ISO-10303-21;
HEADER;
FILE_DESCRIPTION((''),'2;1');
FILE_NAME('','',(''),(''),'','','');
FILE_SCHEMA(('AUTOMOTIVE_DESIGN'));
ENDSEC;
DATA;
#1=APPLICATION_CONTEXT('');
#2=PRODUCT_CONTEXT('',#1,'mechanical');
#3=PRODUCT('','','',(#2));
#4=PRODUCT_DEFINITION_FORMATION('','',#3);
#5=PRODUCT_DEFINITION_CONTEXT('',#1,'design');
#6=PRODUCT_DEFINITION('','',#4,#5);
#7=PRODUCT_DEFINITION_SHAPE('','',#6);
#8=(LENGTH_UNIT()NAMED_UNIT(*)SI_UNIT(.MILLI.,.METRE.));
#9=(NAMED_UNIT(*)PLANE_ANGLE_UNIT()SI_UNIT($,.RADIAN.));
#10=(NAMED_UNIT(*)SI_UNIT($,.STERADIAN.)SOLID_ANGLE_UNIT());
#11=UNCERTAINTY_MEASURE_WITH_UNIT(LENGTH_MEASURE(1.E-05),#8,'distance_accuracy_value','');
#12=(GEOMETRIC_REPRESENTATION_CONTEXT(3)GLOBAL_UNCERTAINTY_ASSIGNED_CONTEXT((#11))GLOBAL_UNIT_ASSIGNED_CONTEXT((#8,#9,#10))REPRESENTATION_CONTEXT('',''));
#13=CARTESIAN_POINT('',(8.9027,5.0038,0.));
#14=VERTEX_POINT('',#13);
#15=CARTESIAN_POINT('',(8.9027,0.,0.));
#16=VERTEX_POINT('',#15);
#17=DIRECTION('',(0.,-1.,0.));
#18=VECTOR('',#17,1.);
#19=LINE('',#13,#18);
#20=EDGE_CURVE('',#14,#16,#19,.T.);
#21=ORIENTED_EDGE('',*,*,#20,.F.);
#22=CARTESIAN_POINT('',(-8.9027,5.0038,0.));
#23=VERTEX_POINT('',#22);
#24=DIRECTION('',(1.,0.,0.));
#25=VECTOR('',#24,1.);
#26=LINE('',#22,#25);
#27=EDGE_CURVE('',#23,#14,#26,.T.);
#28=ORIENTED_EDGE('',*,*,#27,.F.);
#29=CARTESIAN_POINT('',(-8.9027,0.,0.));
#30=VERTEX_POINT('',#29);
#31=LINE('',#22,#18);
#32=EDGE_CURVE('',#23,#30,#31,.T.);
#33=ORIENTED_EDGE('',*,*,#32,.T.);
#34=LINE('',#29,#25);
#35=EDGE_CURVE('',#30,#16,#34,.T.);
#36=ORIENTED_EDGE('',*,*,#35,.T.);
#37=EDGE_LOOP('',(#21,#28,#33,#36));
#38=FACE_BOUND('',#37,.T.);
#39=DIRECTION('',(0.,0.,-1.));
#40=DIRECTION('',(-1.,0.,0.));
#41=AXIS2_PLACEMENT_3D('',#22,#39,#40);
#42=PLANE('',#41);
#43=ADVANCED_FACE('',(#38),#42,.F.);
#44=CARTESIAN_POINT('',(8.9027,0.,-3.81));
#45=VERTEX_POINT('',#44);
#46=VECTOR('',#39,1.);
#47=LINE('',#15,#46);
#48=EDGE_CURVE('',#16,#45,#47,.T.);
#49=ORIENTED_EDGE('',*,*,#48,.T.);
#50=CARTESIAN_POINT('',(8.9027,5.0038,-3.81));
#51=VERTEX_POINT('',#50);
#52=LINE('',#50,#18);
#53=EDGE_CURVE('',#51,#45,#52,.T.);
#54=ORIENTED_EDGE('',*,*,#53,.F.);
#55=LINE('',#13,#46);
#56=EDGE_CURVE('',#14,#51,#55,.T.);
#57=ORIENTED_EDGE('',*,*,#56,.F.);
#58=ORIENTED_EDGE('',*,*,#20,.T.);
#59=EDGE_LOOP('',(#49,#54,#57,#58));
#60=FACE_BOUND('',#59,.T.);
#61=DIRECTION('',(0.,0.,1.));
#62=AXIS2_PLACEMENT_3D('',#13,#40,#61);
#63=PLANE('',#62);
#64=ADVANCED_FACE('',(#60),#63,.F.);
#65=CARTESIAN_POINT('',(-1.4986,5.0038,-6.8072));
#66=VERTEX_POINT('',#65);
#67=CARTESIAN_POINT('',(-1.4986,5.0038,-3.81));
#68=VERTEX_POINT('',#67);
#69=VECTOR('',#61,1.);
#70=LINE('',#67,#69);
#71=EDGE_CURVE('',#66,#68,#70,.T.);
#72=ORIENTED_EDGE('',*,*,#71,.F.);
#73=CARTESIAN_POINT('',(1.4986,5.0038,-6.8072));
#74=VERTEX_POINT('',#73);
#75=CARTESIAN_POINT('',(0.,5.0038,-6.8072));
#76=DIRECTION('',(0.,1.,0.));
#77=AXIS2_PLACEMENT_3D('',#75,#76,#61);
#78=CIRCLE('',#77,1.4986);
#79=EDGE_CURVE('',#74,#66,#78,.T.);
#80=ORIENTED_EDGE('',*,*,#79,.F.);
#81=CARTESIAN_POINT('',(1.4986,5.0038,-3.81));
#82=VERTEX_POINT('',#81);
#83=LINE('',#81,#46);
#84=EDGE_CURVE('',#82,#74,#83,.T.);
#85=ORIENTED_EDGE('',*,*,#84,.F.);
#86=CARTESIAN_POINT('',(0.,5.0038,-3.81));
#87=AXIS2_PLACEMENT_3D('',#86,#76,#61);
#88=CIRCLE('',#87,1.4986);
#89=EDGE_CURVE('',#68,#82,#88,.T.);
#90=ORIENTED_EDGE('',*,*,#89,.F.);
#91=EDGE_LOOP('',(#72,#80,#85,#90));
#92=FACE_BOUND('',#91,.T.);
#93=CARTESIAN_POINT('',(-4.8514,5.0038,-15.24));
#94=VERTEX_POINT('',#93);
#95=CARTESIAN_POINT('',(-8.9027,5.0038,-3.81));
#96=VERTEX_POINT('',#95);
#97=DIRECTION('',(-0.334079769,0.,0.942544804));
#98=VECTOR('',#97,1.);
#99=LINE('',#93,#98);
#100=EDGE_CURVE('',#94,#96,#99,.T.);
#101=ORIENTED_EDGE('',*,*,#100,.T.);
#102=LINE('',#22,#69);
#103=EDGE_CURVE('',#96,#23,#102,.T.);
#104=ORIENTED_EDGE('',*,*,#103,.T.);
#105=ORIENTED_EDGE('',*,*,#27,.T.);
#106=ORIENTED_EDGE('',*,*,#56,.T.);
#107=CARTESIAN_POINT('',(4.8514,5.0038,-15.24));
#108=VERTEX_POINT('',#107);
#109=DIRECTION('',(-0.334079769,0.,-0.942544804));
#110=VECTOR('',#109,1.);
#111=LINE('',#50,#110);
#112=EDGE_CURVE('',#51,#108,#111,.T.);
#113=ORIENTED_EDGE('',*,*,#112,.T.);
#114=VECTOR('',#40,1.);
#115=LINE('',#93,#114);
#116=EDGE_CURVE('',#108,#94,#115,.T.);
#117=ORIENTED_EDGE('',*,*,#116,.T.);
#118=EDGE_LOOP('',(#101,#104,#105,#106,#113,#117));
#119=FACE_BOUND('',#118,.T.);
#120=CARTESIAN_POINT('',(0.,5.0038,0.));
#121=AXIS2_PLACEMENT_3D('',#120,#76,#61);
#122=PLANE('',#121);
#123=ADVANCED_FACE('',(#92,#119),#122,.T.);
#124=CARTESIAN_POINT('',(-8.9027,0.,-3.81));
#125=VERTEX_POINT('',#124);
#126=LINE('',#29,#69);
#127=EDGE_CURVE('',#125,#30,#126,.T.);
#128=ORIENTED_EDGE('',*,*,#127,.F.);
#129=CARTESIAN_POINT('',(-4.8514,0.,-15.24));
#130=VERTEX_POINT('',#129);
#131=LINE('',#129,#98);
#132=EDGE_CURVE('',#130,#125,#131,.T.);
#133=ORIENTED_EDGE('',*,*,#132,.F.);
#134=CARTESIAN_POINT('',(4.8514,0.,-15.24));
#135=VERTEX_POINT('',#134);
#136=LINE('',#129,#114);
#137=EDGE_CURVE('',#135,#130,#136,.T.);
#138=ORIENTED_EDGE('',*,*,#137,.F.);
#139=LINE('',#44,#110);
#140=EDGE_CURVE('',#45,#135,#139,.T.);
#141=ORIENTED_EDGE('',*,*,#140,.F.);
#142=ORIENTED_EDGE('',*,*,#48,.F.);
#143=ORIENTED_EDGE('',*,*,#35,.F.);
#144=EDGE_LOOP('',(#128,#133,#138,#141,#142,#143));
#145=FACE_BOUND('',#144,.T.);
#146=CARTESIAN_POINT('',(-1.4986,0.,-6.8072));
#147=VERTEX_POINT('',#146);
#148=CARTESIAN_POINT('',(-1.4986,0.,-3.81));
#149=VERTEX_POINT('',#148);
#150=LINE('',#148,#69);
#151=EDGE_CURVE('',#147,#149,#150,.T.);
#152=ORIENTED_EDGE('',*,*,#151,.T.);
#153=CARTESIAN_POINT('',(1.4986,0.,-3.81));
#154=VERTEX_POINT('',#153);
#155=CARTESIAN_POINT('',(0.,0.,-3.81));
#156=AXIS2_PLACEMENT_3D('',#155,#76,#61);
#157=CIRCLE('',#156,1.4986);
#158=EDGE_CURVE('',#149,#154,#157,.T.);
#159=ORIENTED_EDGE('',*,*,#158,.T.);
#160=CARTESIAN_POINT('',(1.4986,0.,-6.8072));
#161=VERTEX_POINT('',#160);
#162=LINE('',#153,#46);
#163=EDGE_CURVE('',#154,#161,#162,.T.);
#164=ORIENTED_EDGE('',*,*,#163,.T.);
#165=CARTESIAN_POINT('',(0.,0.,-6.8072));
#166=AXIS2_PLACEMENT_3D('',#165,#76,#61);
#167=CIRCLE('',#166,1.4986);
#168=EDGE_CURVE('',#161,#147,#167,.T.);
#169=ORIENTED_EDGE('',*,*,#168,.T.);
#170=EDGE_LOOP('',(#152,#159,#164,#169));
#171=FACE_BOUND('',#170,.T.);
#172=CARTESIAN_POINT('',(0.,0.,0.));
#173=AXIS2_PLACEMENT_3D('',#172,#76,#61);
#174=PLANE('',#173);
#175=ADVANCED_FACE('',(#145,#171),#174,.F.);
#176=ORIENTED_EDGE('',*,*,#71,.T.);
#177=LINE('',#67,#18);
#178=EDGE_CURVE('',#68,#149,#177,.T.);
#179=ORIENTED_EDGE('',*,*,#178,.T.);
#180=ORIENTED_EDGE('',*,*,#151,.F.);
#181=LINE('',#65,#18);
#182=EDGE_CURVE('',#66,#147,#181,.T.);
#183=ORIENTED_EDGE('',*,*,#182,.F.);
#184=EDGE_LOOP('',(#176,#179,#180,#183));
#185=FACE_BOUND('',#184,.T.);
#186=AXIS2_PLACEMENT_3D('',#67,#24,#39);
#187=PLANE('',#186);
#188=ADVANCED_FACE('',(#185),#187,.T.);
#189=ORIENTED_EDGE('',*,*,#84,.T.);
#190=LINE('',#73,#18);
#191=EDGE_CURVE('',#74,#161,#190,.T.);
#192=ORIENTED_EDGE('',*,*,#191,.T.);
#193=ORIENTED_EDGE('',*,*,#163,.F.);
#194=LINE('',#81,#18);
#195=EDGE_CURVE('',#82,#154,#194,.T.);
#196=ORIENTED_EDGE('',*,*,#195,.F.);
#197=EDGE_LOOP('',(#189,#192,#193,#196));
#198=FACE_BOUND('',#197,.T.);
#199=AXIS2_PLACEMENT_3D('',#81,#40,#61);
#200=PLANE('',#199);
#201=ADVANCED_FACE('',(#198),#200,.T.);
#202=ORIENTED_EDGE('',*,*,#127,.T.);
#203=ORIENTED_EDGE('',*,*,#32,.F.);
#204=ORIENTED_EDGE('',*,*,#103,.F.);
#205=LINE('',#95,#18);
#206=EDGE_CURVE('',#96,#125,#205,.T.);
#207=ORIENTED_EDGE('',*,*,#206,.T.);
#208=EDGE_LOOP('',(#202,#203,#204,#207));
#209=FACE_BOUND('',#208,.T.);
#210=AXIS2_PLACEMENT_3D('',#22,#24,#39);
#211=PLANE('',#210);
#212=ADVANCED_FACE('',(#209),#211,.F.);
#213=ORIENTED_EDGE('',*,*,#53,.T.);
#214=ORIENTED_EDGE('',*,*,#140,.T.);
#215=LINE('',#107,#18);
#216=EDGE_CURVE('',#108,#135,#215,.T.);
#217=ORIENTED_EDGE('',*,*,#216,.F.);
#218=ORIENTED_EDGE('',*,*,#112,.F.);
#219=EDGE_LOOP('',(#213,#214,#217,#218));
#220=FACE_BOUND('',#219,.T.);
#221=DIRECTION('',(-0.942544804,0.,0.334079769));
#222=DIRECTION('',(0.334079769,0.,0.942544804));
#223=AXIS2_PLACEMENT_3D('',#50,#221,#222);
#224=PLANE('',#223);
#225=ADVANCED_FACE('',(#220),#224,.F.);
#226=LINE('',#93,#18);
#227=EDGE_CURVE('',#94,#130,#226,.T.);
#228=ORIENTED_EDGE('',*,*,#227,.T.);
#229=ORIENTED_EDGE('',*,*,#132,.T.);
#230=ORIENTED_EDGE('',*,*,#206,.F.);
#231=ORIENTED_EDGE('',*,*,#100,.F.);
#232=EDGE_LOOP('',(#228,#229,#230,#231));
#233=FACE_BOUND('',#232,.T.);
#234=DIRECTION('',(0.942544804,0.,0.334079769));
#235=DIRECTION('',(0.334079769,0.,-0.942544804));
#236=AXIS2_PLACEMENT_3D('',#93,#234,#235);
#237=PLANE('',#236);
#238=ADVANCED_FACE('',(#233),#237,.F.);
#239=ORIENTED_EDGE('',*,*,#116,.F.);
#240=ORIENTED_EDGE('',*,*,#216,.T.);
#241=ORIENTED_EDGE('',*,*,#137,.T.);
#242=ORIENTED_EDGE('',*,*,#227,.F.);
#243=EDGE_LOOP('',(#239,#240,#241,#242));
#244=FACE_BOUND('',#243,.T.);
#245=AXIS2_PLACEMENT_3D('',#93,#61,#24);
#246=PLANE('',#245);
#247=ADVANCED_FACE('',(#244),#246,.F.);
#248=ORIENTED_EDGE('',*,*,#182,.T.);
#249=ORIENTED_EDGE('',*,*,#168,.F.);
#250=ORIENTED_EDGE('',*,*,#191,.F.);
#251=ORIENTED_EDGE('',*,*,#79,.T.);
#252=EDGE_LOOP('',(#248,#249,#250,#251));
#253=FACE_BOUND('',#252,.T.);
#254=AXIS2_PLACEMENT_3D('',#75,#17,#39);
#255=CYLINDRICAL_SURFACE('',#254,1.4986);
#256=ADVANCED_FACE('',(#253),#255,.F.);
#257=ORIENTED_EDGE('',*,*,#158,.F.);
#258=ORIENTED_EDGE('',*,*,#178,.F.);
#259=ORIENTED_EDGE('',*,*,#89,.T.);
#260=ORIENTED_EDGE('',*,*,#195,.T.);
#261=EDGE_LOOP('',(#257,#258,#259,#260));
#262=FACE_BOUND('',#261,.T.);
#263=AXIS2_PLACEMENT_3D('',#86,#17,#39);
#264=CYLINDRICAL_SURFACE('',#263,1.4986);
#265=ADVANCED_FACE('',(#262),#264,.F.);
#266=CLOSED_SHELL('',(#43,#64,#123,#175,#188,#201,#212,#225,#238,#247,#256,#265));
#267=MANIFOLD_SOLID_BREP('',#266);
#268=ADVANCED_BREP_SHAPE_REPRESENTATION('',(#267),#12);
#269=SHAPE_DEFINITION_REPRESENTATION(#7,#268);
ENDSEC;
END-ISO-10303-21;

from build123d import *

# Parameters (mm, degrees)
BOSS_EXTRUDE1_DEPTH = 5.0038


with BuildPart() as part:
    # Sketch1 → Boss-Extrude1 (new body)
    with BuildSketch(Plane(origin=(0, 0, 0), x_dir=(1, 0, 0), z_dir=(0, 1, 0))):
        Polygon((-8.9027, 0), (8.9027, 0), (8.9027, 3.81), (4.8514, 15.24), (-4.8514, 15.24), (-8.9027, 3.81), align=None)
        with BuildLine():
            Line((-1.4986, 3.81), (-1.4986, 6.8072))
            ThreePointArc((-1.4986, 6.8072), (0, 8.3058), (1.4986, 6.8072))
            Line((1.4986, 6.8072), (1.4986, 3.81))
            ThreePointArc((1.4986, 3.81), (0, 2.3114), (-1.4986, 3.81))
        make_face(mode=Mode.SUBTRACT)
    extrude(amount=BOSS_EXTRUDE1_DEPTH)


solid = part.part
